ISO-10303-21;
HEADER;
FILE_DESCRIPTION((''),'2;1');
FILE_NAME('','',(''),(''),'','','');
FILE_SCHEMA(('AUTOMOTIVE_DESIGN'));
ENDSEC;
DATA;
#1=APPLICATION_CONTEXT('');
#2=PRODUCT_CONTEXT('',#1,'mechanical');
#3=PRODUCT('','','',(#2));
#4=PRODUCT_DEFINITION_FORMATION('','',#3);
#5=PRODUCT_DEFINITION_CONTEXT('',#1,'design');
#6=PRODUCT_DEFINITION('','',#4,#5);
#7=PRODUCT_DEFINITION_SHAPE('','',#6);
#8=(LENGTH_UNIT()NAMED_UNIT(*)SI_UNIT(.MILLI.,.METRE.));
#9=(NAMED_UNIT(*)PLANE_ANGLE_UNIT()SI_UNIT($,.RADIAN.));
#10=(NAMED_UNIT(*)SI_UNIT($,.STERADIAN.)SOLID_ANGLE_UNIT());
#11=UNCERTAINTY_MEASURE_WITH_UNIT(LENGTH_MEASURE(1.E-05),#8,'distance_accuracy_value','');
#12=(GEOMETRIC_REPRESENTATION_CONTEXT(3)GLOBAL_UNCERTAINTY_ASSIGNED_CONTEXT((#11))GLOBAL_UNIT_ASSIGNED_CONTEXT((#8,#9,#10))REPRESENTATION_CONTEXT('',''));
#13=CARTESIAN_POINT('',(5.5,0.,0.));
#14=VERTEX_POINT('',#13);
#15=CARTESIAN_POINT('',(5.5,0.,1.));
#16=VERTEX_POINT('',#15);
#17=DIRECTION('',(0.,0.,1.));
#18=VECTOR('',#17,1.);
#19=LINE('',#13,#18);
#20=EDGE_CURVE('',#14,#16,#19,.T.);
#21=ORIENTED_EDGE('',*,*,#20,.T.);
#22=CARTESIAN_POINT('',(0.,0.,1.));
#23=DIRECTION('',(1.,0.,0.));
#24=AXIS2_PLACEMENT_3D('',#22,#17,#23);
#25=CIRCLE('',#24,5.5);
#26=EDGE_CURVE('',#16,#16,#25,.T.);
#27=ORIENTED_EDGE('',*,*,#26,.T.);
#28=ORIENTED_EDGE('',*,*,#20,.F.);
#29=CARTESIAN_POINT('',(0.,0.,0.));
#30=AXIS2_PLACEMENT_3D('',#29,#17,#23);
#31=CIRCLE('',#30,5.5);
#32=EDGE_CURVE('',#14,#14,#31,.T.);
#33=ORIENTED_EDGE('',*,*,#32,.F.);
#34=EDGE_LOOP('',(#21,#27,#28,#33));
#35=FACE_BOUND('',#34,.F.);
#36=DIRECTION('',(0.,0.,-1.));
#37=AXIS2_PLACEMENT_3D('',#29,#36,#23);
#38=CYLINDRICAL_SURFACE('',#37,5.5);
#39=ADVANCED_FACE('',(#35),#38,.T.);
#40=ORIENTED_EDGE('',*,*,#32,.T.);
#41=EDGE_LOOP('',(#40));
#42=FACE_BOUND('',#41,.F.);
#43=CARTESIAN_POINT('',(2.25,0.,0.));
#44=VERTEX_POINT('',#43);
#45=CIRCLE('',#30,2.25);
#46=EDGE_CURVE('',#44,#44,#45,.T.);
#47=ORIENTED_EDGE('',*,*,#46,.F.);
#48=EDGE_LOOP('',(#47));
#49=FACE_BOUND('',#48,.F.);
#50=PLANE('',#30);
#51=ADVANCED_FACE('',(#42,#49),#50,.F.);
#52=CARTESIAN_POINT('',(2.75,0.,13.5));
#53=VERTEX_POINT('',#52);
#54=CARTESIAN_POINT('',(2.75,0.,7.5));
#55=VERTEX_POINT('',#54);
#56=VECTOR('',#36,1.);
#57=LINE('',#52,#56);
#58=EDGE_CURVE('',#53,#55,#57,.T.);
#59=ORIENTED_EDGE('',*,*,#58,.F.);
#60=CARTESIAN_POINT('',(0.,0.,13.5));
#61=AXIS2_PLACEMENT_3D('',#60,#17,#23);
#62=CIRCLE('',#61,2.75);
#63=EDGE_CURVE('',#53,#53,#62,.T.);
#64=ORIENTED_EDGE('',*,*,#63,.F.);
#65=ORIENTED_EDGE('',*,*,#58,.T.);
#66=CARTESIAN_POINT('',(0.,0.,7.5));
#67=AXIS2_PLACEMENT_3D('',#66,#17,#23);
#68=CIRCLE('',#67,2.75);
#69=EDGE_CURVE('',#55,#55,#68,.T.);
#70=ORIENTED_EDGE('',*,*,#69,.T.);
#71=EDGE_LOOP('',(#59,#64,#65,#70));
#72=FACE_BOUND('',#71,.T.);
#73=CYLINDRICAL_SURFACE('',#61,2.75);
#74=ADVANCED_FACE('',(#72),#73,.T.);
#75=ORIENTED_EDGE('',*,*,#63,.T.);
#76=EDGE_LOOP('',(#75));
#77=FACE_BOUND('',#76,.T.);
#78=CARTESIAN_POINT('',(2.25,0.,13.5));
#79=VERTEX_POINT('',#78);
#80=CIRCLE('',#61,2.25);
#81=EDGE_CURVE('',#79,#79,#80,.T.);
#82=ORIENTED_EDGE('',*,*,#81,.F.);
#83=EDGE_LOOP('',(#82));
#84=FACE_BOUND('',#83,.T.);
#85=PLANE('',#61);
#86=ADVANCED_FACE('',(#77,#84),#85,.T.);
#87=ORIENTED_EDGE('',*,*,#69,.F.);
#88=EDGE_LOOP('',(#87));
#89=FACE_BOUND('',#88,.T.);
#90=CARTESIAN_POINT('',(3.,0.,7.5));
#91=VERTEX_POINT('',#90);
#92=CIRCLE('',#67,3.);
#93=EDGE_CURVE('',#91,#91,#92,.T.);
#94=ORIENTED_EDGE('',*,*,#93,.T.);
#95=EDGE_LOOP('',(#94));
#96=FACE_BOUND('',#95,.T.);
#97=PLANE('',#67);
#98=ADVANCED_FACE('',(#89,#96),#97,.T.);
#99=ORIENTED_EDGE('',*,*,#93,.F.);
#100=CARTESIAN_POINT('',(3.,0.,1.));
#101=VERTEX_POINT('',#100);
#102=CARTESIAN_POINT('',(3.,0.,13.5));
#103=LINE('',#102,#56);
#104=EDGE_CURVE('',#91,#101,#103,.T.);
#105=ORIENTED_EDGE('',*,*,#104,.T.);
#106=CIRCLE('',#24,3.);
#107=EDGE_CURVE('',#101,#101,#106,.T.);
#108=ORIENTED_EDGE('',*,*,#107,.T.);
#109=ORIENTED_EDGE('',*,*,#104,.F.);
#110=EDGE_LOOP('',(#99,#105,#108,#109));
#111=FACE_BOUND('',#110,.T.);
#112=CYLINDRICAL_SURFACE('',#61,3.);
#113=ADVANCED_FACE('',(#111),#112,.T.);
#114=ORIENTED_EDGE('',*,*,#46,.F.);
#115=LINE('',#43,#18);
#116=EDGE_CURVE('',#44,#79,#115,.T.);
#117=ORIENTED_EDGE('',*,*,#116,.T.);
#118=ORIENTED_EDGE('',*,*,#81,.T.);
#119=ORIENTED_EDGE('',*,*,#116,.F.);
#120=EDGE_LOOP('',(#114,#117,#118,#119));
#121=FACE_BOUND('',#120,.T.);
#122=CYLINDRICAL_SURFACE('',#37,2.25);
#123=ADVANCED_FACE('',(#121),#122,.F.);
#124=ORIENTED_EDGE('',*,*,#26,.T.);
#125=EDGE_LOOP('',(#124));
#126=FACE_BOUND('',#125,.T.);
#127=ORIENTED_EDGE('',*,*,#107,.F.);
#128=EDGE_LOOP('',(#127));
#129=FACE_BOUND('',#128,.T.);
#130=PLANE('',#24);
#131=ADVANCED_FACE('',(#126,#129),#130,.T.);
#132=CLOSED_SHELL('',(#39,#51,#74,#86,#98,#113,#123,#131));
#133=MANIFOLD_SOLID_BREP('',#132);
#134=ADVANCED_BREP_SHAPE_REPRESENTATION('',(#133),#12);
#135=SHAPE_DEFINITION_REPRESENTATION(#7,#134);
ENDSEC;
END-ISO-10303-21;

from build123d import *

# Parameters (mm, degrees)
F0_R     = 5.5
F0_R_2   = 2.25
F1_DEPTH = 13.5
F2_R     = 5.5
F2_R_2   = 3
F3_DEPTH = 12.5
F4_R     = 3
F4_R_2   = 2.75
F5_DEPTH = 6


with BuildPart() as f1:
    # F0 (on Top) → F1 (new body)
    with BuildSketch(Plane.XY):
        Circle(F0_R)
        Circle(F0_R_2, mode=Mode.SUBTRACT)
    extrude(amount=F1_DEPTH)

    # F2 (on face) → F3 (cut)
    with BuildSketch(Plane.XY.offset(13.5)):
        Circle(F2_R)
        Circle(F2_R_2, mode=Mode.SUBTRACT)
    extrude(amount=-F3_DEPTH, mode=Mode.SUBTRACT)

    # F4 (on face) → F5 (cut)
    with BuildSketch(Plane.XY.offset(13.5)):
        Circle(F4_R)
        Circle(F4_R_2, mode=Mode.SUBTRACT)
    extrude(amount=-F5_DEPTH, mode=Mode.SUBTRACT)


solid = f1.part
